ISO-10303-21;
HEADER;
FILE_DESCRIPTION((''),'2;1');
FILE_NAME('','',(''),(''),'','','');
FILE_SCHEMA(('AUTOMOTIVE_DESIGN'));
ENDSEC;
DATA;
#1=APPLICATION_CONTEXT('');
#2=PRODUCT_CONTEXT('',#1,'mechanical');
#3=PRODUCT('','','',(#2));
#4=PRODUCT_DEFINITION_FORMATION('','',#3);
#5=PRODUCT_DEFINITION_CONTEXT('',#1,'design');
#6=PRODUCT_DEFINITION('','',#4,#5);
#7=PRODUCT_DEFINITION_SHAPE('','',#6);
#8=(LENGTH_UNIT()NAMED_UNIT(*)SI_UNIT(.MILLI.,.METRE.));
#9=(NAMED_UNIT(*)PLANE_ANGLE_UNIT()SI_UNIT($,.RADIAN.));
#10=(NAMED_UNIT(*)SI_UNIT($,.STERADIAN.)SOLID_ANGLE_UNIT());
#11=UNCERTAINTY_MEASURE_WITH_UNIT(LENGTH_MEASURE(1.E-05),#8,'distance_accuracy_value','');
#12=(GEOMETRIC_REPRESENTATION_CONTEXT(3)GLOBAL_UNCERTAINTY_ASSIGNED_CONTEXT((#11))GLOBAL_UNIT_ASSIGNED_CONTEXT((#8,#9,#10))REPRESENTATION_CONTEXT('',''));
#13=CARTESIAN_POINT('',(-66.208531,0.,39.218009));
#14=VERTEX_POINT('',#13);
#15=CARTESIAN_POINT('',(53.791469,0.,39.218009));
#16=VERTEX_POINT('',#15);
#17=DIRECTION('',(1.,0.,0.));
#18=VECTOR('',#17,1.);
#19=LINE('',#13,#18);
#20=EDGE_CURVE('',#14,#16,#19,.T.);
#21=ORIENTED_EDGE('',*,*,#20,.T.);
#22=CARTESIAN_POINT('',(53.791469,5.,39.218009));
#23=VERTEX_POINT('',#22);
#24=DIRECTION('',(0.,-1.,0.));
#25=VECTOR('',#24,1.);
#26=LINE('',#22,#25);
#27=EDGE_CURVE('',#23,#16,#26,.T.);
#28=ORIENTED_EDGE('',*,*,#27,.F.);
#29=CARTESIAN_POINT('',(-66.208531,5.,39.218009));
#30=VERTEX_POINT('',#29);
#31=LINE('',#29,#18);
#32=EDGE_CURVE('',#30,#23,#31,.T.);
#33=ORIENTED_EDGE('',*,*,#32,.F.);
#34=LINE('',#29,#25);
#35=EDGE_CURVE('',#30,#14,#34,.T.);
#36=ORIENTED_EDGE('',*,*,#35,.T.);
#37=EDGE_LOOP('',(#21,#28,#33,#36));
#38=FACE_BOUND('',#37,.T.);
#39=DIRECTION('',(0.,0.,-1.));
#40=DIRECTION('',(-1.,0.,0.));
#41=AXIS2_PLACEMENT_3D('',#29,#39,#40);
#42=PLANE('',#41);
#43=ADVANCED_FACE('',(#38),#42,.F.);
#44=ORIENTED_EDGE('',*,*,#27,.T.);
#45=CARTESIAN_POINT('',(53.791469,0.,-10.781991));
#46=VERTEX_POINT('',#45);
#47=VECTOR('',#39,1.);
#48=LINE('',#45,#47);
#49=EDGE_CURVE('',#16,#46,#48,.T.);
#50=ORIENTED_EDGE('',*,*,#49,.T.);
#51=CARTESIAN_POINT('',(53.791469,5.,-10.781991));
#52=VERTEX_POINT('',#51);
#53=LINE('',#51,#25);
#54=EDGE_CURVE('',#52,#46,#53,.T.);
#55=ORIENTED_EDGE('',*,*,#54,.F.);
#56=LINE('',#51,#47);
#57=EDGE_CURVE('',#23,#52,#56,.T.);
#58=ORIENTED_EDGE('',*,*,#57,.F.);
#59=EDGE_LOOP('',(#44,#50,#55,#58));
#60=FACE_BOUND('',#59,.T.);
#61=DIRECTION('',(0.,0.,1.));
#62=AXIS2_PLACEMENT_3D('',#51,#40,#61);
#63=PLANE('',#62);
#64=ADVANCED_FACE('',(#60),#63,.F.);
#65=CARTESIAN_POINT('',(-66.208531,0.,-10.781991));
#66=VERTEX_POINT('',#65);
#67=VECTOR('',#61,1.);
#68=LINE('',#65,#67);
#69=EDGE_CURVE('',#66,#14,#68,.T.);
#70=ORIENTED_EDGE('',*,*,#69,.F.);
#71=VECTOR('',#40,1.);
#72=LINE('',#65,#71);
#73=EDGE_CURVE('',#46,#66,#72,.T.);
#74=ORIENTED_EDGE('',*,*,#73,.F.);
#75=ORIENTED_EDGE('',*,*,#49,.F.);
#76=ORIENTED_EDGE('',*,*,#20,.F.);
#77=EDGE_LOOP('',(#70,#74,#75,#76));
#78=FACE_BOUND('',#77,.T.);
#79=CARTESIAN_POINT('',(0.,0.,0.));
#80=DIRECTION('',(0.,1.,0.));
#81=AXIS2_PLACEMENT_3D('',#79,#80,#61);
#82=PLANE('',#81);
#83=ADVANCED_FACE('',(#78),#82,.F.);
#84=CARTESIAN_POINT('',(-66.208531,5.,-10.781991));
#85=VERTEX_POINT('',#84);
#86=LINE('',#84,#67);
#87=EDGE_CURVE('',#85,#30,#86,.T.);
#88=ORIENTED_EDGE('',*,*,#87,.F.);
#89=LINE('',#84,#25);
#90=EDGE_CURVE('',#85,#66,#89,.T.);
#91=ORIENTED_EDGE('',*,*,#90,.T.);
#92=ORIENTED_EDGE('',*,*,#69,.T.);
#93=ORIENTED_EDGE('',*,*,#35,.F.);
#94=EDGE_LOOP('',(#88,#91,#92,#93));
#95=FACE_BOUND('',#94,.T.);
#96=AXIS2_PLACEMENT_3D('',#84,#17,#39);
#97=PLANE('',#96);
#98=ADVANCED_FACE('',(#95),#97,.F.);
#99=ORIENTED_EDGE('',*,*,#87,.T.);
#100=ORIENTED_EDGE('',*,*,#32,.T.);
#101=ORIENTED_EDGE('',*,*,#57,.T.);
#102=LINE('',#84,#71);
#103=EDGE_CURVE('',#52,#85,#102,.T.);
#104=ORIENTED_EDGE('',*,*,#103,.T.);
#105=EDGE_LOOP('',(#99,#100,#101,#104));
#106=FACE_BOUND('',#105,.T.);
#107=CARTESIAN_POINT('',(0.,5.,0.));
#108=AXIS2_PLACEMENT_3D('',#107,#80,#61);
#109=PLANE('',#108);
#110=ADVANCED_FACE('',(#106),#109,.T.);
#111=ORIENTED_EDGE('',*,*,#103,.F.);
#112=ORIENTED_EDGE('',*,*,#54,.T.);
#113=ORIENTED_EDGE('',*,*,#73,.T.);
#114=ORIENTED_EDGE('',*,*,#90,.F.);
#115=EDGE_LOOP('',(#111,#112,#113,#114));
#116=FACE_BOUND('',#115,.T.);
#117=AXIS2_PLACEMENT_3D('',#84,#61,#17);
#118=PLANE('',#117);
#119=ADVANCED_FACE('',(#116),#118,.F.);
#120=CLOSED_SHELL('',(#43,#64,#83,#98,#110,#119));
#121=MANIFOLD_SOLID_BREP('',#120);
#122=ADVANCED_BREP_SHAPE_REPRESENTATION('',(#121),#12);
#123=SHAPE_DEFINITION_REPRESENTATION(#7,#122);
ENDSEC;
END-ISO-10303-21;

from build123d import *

# Parameters (mm, degrees)
SKETCH1_W           = 120
SKETCH1_H           = 50
BOSS_EXTRUDE1_DEPTH = 5


with BuildPart() as part:
    # Sketch1 → Boss-Extrude1 (new body)
    with BuildSketch(Plane(origin=(0, 0, 0), x_dir=(1, 0, 0), z_dir=(0, 1, 0))):
        with Locations((-6.208530806, -14.218009479)):
            Rectangle(SKETCH1_W, SKETCH1_H)
    extrude(amount=BOSS_EXTRUDE1_DEPTH)


solid = part.part
